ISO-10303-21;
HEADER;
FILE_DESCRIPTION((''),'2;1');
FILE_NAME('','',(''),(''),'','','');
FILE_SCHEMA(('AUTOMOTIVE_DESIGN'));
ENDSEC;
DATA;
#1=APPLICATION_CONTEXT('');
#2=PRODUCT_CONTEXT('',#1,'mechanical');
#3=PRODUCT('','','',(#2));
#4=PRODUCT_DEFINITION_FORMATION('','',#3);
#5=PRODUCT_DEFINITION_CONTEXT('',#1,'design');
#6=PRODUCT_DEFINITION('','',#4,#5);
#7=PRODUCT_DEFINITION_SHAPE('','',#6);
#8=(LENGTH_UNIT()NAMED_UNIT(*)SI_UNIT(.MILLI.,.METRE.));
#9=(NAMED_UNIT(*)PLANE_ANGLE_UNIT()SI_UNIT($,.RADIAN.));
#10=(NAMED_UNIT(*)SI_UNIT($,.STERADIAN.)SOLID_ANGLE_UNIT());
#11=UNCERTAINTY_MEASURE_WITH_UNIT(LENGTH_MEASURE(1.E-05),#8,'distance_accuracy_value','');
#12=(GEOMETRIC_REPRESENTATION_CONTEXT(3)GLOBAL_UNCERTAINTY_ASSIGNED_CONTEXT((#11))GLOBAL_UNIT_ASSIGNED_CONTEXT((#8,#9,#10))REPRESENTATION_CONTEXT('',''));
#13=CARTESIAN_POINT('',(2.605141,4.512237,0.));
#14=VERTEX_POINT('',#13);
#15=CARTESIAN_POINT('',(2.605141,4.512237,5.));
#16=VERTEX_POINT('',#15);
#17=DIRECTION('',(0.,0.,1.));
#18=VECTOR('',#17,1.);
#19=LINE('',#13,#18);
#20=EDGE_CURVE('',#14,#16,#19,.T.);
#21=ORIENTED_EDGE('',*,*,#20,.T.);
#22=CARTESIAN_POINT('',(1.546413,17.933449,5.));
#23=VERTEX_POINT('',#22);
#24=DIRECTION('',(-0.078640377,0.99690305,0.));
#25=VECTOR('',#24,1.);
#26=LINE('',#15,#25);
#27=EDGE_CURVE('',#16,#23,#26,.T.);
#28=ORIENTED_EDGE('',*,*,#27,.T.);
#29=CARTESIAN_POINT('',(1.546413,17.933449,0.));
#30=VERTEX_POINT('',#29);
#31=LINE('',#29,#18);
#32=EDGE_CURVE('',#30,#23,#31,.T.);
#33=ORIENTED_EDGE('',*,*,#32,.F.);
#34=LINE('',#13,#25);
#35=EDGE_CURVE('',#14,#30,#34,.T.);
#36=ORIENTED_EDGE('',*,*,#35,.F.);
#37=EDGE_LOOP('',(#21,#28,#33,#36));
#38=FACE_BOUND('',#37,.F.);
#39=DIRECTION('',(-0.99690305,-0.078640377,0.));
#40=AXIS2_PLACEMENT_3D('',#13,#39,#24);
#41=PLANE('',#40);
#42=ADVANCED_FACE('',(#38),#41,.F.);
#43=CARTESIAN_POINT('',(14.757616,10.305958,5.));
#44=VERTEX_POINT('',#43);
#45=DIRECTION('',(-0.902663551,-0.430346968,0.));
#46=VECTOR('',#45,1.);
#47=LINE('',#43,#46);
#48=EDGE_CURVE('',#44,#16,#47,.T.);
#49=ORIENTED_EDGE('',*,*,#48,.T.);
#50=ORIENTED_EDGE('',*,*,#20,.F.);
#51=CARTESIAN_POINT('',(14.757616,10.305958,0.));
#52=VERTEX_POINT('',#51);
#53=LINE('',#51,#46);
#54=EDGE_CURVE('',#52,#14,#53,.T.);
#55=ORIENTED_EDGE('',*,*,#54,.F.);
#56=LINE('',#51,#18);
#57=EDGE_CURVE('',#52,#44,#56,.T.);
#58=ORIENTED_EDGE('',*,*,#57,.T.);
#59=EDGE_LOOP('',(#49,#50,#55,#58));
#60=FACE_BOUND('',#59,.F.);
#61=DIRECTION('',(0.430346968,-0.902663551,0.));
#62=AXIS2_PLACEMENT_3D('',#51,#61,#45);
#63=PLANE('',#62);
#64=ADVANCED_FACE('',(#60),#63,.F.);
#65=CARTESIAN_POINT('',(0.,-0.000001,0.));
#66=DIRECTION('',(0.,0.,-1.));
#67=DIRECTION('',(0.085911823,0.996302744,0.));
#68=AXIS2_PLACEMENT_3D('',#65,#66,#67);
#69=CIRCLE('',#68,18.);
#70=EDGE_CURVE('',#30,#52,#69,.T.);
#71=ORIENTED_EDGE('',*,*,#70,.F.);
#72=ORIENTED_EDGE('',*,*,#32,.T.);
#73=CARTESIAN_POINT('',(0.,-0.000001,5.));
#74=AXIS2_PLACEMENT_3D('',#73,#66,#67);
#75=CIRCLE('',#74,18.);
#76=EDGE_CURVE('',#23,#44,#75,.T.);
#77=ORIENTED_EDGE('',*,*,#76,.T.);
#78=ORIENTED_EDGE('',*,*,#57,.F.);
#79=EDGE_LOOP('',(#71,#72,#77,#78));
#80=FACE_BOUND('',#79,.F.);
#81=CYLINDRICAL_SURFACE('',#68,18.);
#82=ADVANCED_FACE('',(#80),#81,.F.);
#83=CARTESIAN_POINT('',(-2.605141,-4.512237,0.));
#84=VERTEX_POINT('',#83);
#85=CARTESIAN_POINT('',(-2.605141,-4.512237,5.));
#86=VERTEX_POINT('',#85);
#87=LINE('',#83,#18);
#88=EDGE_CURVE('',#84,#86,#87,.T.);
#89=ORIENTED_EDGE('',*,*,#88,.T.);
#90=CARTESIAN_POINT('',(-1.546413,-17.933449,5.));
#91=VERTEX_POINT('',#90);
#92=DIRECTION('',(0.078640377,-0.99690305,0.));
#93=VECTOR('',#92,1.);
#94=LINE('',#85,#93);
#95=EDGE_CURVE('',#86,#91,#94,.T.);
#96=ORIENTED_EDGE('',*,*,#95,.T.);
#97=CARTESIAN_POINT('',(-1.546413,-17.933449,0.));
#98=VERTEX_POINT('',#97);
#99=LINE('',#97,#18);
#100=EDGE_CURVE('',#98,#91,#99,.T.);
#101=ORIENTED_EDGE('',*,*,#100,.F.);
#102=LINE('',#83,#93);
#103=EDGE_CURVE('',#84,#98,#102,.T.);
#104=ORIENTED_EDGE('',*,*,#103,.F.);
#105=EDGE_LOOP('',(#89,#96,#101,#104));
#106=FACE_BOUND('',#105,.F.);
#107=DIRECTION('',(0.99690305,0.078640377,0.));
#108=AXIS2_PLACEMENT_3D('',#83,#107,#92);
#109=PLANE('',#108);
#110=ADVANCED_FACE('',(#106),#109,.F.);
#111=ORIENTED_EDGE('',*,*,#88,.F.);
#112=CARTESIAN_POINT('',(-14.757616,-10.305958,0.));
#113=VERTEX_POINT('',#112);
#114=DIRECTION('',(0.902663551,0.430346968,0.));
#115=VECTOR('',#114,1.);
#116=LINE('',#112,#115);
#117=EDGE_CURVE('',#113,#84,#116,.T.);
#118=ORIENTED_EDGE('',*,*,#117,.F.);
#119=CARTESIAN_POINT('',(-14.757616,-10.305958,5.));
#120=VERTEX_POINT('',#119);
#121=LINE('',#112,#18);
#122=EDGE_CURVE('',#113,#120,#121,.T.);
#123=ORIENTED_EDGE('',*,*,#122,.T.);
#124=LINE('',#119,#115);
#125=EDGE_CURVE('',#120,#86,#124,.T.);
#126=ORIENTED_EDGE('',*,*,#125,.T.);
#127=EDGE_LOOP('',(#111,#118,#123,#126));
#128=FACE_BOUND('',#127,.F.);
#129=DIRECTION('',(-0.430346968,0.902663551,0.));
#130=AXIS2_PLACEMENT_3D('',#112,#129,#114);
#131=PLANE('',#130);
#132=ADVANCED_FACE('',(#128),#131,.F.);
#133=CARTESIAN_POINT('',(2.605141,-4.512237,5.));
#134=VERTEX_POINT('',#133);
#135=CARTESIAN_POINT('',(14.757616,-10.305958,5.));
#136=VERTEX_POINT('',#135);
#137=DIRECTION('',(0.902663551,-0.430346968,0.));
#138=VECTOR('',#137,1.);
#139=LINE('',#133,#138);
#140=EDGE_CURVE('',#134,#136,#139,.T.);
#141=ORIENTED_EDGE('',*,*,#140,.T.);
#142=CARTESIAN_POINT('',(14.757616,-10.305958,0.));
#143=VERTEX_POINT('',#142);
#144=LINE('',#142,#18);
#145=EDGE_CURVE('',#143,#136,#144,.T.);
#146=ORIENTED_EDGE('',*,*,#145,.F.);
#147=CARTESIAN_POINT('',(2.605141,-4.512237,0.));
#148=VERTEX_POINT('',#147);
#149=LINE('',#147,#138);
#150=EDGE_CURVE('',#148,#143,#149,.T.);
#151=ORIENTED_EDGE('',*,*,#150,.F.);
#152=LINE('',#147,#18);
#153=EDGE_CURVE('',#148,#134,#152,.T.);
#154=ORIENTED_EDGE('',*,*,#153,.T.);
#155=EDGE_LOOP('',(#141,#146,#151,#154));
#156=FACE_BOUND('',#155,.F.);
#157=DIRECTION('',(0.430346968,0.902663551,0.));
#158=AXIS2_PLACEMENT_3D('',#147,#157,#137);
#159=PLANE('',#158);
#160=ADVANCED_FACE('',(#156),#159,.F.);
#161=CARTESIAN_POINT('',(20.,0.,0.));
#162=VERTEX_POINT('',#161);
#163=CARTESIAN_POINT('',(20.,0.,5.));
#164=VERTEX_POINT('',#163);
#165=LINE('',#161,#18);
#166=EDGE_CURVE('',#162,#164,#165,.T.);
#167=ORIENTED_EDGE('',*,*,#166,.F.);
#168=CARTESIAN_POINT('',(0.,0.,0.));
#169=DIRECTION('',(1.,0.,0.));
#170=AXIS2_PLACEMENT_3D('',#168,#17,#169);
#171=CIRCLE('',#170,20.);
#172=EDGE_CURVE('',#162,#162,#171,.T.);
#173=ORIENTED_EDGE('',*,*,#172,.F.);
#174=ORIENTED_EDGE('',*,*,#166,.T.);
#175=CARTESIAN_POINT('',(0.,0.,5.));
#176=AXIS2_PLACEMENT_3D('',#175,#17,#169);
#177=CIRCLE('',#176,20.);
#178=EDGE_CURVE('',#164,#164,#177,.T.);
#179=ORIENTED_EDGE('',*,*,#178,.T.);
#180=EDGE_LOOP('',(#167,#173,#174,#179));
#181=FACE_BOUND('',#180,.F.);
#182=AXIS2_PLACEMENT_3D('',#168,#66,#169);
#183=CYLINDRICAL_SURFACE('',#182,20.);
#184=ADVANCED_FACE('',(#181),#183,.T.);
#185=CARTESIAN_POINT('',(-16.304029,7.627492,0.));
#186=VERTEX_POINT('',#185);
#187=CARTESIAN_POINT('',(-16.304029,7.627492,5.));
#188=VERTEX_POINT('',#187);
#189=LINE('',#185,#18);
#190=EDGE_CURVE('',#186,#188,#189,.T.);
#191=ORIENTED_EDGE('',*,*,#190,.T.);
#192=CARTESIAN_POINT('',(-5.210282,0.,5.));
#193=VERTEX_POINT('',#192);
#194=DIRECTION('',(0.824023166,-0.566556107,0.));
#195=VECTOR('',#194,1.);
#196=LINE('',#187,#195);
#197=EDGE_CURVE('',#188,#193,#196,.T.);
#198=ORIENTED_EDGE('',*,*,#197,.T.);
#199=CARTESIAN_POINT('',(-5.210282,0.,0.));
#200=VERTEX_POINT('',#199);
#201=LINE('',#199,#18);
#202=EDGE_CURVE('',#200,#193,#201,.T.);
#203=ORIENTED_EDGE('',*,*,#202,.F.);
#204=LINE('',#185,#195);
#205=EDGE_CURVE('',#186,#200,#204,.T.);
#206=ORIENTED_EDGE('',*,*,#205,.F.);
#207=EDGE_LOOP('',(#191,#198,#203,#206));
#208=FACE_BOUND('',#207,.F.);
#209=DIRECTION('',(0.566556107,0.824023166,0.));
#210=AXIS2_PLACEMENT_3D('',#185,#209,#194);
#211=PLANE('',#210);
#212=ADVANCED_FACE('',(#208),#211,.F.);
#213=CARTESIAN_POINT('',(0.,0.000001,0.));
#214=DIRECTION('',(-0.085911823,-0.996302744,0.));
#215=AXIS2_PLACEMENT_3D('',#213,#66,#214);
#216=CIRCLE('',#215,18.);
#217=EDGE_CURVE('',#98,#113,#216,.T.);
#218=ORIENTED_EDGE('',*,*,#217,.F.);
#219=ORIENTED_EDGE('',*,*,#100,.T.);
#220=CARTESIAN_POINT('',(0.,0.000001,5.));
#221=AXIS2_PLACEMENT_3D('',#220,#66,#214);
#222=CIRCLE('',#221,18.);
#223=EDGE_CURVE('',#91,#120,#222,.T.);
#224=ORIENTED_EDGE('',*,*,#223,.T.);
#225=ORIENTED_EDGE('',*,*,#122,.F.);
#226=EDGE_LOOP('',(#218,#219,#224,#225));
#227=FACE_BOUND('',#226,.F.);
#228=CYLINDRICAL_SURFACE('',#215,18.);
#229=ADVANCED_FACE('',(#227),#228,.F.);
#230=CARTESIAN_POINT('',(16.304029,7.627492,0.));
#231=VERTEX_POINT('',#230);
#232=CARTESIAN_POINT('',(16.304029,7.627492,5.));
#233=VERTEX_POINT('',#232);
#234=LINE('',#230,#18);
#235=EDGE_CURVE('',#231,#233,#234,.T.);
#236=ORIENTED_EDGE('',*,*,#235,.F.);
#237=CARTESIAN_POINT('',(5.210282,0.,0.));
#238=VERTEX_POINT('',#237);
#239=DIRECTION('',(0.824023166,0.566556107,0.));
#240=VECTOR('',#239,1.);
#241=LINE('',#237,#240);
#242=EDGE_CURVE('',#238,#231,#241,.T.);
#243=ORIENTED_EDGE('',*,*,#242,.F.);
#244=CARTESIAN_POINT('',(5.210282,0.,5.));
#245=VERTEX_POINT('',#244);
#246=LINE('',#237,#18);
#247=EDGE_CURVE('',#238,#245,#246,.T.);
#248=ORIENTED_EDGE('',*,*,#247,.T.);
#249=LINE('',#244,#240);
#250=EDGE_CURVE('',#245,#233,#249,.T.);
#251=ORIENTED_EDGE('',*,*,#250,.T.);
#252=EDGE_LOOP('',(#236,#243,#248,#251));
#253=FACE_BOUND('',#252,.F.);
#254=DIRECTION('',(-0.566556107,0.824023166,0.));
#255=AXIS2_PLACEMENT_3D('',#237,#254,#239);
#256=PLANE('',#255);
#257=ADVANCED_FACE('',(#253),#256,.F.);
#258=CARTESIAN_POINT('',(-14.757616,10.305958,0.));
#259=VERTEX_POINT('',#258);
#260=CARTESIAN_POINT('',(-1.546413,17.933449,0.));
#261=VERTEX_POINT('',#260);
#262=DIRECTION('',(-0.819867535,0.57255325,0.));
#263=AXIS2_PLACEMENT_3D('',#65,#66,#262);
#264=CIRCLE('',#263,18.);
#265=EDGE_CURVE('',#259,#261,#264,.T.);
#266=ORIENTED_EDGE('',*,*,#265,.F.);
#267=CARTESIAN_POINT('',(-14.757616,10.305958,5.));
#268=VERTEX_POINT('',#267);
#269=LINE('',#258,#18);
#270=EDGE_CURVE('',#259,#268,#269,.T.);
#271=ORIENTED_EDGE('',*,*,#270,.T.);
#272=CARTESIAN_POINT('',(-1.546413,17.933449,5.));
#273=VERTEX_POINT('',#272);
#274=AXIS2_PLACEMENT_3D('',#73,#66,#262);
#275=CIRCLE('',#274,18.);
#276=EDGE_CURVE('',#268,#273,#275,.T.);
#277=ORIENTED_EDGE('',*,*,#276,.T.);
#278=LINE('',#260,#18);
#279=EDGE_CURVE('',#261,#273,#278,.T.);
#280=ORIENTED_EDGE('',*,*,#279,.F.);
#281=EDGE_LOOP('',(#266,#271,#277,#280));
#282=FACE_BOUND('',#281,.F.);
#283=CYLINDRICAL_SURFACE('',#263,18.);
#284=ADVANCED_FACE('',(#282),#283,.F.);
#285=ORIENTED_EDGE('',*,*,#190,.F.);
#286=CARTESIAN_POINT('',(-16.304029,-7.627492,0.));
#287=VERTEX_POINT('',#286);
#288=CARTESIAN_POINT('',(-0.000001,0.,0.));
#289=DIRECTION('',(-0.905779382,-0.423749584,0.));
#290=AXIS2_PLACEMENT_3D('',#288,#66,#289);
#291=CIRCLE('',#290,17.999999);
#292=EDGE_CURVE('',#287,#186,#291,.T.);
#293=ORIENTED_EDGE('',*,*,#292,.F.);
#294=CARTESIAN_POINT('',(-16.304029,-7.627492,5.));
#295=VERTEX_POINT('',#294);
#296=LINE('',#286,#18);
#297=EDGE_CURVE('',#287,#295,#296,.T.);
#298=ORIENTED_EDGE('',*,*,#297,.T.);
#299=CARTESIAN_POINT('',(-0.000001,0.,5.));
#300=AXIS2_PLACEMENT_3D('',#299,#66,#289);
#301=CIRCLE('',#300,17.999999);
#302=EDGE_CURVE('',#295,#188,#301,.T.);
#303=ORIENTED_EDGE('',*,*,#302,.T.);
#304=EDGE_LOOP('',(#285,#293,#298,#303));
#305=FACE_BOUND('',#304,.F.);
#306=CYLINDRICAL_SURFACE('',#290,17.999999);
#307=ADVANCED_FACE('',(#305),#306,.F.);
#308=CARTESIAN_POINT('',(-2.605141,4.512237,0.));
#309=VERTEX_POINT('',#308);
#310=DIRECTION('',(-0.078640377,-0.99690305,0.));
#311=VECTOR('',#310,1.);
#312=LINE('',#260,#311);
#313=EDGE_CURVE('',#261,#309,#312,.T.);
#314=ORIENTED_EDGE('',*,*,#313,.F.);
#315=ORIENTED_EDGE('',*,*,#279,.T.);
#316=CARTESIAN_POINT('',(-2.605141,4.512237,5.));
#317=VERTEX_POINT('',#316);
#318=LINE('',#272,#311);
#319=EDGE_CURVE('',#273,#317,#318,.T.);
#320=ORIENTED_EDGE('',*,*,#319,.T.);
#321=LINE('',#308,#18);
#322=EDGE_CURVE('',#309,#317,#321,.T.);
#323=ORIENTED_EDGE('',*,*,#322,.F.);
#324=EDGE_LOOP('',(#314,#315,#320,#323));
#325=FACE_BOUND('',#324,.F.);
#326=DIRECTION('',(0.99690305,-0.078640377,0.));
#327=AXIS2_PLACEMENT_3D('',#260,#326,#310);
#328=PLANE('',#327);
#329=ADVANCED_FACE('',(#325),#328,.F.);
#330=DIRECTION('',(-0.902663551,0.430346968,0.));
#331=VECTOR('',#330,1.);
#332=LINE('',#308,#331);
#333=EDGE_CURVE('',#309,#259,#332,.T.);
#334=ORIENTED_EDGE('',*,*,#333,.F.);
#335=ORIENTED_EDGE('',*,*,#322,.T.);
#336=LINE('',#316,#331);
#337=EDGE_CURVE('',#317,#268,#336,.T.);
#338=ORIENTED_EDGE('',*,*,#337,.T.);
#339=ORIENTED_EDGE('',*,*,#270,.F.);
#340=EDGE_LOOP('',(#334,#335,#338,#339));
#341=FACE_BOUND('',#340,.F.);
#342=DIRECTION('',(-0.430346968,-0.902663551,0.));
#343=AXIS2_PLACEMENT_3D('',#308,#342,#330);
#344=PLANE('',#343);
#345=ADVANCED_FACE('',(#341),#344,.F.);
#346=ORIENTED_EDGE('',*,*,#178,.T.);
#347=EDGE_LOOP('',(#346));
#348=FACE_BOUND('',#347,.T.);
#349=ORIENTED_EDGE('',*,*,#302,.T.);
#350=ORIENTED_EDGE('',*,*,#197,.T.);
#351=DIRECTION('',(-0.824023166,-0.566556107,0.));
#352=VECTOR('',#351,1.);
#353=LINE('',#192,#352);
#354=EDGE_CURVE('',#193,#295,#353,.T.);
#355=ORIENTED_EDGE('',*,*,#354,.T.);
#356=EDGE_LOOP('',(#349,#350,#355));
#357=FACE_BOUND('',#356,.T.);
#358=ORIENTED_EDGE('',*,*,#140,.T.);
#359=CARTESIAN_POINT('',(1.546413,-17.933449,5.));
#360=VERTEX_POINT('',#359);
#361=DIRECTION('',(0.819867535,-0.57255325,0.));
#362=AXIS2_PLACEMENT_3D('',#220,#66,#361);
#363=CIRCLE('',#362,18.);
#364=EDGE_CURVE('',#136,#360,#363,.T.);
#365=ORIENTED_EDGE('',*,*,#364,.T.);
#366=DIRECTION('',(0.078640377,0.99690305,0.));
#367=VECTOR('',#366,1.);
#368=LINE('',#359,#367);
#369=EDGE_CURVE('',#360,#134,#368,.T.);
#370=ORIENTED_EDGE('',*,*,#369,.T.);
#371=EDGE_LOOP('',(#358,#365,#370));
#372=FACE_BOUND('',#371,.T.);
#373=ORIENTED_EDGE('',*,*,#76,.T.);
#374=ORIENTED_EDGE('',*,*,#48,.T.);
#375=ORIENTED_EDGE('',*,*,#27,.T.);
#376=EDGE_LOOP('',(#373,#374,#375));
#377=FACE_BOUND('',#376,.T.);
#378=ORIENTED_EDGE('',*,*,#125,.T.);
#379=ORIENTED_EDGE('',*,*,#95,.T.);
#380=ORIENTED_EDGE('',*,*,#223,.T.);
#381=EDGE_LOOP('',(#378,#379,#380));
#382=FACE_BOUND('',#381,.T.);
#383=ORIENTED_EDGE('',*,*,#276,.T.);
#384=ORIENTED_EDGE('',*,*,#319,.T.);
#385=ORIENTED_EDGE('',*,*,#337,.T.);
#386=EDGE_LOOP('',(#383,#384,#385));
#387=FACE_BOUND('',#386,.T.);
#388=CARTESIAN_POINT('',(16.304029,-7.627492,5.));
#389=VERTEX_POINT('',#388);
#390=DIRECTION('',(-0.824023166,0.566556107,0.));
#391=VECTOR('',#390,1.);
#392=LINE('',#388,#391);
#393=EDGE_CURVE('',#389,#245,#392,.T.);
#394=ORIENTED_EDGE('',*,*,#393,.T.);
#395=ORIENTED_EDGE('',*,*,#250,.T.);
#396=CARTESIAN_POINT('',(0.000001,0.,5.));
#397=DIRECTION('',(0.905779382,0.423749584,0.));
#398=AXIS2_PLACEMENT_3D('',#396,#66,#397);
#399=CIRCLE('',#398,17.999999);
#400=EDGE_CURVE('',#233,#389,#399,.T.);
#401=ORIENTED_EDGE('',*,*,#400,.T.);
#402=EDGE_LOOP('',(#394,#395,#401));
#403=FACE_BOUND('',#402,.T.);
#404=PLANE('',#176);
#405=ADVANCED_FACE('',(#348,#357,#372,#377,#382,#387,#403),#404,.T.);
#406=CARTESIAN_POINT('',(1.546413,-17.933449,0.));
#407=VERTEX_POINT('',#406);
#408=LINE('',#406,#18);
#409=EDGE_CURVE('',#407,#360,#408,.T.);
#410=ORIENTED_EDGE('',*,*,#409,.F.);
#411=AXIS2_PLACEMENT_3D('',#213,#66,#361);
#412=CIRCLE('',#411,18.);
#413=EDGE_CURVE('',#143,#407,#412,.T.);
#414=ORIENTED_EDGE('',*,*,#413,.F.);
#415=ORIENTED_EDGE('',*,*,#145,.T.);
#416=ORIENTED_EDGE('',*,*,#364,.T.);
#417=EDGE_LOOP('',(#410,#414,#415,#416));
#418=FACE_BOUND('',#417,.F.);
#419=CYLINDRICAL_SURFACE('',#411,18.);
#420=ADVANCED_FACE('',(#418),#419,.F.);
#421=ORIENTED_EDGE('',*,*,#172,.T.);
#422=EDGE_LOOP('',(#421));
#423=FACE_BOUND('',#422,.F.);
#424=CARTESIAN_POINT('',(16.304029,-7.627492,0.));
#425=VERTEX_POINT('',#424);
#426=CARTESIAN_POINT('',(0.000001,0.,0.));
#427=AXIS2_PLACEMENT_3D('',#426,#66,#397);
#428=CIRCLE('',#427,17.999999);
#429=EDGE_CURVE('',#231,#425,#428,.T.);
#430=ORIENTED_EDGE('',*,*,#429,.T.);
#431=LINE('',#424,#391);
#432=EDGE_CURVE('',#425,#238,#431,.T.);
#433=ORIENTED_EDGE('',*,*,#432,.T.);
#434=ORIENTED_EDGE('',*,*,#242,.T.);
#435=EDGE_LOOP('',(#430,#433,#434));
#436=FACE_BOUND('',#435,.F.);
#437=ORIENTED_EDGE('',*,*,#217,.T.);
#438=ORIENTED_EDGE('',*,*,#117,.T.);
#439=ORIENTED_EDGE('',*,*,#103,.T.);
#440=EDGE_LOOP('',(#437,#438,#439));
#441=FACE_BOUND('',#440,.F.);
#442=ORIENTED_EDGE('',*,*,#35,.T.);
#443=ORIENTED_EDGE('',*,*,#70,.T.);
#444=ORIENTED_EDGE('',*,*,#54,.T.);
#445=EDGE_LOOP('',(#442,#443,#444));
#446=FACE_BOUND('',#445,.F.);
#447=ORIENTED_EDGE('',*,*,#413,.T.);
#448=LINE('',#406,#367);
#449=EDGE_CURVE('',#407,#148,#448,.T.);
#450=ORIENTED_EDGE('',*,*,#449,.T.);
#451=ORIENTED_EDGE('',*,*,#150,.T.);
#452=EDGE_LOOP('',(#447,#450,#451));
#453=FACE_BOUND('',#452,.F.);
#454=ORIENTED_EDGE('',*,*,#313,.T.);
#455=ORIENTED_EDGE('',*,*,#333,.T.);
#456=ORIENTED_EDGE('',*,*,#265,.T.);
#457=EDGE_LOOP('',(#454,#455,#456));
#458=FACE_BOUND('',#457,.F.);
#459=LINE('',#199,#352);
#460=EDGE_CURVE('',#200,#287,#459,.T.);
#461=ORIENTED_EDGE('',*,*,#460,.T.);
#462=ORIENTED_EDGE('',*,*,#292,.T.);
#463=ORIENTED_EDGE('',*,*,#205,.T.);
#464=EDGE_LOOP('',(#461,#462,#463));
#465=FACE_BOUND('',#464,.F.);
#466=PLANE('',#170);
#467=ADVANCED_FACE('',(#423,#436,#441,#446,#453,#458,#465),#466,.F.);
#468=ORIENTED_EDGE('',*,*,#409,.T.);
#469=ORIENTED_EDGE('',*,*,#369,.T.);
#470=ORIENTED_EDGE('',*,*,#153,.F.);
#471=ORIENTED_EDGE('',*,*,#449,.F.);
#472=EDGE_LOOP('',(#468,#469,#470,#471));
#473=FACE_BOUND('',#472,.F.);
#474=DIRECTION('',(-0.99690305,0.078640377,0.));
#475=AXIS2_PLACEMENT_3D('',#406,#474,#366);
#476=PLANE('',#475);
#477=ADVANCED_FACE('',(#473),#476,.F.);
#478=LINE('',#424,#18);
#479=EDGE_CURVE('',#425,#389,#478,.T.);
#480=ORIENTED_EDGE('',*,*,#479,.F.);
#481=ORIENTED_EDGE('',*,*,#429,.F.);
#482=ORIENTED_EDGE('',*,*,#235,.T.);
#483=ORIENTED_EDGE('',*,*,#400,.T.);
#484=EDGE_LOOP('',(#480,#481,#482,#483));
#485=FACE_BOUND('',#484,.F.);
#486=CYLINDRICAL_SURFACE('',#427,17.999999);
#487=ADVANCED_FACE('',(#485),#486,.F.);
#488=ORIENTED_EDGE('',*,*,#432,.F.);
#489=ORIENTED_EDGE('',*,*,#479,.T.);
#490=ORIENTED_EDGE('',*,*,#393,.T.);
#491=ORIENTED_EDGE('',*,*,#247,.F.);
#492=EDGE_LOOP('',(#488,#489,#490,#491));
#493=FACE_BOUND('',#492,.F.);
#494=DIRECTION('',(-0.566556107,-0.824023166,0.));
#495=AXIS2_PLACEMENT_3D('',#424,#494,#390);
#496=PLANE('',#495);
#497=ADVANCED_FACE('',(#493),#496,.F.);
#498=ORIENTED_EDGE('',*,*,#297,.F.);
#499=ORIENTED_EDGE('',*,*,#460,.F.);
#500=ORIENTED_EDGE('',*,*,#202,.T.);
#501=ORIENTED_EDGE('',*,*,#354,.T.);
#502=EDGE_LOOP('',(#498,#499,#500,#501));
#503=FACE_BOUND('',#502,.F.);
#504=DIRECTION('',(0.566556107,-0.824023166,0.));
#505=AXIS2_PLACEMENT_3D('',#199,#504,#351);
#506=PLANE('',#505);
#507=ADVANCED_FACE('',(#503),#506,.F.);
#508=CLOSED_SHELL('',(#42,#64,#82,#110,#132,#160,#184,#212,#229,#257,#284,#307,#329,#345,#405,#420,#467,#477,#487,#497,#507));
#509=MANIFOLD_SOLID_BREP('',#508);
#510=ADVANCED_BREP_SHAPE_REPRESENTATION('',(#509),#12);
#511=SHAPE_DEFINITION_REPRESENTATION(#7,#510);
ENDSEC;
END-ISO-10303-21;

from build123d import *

# Parameters (mm, degrees)
F0_R     = 20
F1_DEPTH = 5


with BuildPart() as f1:
    # F0 (on Top) → F1 (new body)
    with BuildSketch(Plane.XY):
        Circle(F0_R)
        with BuildLine():
            Line((-14.757616, -10.305958), (-2.605141, -4.512237))
            Line((-2.605141, -4.512237), (-1.546413, -17.933449))
            ThreePointArc((-1.546413, -17.933449), (-9, -15.588457), (-14.757616, -10.305958))
        make_face(mode=Mode.SUBTRACT)
        with BuildLine():
            Line((1.546413, -17.933449), (2.605141, -4.512237))
            Line((2.605141, -4.512237), (14.757616, -10.305958))
            ThreePointArc((14.757616, -10.305958), (9, -15.588457), (1.546413, -17.933449))
        make_face(mode=Mode.SUBTRACT)
        with BuildLine():
            Line((16.304029, -7.627492), (5.210282, 0))
            Line((5.210282, 0), (16.304029, 7.627492))
            ThreePointArc((16.304029, 7.627492), (18, 0), (16.304029, -7.627492))
        make_face(mode=Mode.SUBTRACT)
        with BuildLine():
            Line((-16.304029, 7.627492), (-5.210282, 0))
            Line((-5.210282, 0), (-16.304029, -7.627492))
            ThreePointArc((-16.304029, -7.627492), (-18, 0), (-16.304029, 7.627492))
        make_face(mode=Mode.SUBTRACT)
        with BuildLine():
            ThreePointArc((-14.757616, 10.305958), (-9, 15.588457), (-1.546413, 17.933449))
            Line((-1.546413, 17.933449), (-2.605141, 4.512237))
            Line((-2.605141, 4.512237), (-14.757616, 10.305958))
        make_face(mode=Mode.SUBTRACT)
        with BuildLine():
            Line((14.757616, 10.305958), (2.605141, 4.512237))
            Line((2.605141, 4.512237), (1.546413, 17.933449))
            ThreePointArc((1.546413, 17.933449), (9, 15.588457), (14.757616, 10.305958))
        make_face(mode=Mode.SUBTRACT)
    extrude(amount=F1_DEPTH)


solid = f1.part
